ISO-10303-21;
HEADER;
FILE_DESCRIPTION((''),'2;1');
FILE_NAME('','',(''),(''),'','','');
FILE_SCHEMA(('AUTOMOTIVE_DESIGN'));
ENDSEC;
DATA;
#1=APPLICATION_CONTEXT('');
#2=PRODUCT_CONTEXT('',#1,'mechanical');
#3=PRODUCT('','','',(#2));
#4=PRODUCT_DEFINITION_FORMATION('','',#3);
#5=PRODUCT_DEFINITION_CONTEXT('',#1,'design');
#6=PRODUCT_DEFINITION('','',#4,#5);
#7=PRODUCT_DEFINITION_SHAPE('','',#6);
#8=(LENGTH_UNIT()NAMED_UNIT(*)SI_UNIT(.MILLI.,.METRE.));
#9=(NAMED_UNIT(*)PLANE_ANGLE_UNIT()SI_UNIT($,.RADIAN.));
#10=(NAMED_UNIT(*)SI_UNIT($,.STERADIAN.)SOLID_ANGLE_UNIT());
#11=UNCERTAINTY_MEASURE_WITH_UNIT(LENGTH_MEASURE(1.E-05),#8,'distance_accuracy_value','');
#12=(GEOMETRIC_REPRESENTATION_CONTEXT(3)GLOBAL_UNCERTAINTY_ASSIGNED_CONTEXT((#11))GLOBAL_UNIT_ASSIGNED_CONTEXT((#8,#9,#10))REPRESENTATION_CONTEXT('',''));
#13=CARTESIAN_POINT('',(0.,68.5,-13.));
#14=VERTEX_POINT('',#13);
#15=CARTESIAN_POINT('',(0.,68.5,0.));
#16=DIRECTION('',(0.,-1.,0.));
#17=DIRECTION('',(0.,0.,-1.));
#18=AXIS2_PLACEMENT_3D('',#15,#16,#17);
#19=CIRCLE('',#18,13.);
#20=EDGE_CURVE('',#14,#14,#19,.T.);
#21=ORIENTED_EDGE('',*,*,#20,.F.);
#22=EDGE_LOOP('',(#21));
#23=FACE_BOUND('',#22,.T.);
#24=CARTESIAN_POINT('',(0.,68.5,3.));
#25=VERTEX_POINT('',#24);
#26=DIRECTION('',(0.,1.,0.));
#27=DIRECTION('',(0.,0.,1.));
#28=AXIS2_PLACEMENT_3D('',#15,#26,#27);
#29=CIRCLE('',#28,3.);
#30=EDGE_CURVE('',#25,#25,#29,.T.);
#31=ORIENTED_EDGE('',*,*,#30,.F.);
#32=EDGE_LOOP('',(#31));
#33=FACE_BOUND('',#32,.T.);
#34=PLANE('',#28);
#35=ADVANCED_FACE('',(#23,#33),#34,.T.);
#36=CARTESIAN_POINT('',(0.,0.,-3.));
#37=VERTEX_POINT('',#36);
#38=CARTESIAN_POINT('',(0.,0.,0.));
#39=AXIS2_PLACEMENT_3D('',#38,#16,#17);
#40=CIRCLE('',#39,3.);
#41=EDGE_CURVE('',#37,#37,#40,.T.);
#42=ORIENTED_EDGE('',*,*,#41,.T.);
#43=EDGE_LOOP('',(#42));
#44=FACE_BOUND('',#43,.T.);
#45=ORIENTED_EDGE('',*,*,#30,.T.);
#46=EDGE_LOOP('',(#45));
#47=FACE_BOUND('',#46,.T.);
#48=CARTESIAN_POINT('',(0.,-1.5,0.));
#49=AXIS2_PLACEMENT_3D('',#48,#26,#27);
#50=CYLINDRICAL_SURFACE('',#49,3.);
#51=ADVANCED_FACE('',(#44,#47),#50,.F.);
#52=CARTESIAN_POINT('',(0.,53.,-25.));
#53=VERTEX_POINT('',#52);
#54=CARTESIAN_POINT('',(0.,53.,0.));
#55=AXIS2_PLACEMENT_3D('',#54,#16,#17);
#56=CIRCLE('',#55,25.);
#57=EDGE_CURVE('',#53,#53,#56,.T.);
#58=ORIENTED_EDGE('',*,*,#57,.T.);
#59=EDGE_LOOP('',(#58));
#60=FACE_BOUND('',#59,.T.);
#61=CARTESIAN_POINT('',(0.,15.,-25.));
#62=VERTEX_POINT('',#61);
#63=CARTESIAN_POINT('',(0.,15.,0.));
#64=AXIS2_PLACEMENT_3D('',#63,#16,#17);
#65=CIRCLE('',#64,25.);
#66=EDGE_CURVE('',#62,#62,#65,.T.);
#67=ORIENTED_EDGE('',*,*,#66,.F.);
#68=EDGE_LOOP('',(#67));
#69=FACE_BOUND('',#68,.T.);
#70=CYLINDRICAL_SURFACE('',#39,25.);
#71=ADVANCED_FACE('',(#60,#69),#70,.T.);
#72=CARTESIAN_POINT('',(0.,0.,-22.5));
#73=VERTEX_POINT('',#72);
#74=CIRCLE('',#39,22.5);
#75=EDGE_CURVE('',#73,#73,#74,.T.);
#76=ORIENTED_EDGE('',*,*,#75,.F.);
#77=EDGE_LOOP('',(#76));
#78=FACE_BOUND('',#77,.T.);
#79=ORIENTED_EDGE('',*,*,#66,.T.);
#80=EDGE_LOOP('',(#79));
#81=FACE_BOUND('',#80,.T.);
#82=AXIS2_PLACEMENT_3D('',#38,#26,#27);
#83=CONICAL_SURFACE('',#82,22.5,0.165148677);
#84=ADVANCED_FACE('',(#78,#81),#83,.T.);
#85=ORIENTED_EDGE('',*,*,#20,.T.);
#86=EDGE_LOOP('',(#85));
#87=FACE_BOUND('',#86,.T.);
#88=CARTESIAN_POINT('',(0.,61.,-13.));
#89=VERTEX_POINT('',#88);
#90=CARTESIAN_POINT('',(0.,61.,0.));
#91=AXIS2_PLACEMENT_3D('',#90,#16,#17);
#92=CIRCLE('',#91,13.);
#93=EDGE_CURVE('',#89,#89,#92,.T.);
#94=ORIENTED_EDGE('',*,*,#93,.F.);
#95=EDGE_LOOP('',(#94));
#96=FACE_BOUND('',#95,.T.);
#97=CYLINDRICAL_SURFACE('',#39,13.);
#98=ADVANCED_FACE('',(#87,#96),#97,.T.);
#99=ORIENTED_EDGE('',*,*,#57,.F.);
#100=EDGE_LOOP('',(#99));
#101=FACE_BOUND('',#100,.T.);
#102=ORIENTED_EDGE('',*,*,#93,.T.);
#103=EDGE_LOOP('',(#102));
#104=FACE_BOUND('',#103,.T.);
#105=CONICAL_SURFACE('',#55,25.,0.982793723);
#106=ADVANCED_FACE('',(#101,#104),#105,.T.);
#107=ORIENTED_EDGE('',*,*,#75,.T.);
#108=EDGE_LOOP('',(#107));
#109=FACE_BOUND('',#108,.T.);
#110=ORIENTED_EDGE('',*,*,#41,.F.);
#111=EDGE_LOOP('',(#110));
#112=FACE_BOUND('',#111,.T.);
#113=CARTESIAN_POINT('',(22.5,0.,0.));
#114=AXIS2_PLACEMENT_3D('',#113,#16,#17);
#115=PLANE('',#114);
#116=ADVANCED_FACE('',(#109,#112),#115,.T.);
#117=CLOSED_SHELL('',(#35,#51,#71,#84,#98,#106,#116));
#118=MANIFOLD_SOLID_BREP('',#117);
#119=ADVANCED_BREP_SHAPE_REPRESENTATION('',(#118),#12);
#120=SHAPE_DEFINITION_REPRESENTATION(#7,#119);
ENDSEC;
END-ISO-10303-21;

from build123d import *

# Parameters (mm, degrees)
SKETCH2_R          = 3
CUT_EXTRUDE1_DEPTH = 70


with BuildPart() as part:
    # Sketch1 → Revolve1 (revolve)
    with BuildSketch(Plane.XY, mode=Mode.PRIVATE) as revolve1_sk:
        Polygon((22.5, 0), (0, 0), (0, 68.5), (13, 68.5), (13, 61), (25, 53), (25, 15), align=None)
    revolve(revolve1_sk.sketch.rotate(Axis((0, 0, 0), (0, 1, 0)), 90), axis=Axis((0, 0, 0), (0, 1, 0)))

    # Sketch2 → Cut-Extrude1 (cut)
    with BuildSketch(Plane(origin=(0, 68.5, 0), x_dir=(1, 0, 0), z_dir=(0, 1, 0))):
        with Locations(Location((0, 0, 0), (0, 0, 270))):
            Circle(SKETCH2_R)
    extrude(amount=-CUT_EXTRUDE1_DEPTH, mode=Mode.SUBTRACT)


solid = part.part
